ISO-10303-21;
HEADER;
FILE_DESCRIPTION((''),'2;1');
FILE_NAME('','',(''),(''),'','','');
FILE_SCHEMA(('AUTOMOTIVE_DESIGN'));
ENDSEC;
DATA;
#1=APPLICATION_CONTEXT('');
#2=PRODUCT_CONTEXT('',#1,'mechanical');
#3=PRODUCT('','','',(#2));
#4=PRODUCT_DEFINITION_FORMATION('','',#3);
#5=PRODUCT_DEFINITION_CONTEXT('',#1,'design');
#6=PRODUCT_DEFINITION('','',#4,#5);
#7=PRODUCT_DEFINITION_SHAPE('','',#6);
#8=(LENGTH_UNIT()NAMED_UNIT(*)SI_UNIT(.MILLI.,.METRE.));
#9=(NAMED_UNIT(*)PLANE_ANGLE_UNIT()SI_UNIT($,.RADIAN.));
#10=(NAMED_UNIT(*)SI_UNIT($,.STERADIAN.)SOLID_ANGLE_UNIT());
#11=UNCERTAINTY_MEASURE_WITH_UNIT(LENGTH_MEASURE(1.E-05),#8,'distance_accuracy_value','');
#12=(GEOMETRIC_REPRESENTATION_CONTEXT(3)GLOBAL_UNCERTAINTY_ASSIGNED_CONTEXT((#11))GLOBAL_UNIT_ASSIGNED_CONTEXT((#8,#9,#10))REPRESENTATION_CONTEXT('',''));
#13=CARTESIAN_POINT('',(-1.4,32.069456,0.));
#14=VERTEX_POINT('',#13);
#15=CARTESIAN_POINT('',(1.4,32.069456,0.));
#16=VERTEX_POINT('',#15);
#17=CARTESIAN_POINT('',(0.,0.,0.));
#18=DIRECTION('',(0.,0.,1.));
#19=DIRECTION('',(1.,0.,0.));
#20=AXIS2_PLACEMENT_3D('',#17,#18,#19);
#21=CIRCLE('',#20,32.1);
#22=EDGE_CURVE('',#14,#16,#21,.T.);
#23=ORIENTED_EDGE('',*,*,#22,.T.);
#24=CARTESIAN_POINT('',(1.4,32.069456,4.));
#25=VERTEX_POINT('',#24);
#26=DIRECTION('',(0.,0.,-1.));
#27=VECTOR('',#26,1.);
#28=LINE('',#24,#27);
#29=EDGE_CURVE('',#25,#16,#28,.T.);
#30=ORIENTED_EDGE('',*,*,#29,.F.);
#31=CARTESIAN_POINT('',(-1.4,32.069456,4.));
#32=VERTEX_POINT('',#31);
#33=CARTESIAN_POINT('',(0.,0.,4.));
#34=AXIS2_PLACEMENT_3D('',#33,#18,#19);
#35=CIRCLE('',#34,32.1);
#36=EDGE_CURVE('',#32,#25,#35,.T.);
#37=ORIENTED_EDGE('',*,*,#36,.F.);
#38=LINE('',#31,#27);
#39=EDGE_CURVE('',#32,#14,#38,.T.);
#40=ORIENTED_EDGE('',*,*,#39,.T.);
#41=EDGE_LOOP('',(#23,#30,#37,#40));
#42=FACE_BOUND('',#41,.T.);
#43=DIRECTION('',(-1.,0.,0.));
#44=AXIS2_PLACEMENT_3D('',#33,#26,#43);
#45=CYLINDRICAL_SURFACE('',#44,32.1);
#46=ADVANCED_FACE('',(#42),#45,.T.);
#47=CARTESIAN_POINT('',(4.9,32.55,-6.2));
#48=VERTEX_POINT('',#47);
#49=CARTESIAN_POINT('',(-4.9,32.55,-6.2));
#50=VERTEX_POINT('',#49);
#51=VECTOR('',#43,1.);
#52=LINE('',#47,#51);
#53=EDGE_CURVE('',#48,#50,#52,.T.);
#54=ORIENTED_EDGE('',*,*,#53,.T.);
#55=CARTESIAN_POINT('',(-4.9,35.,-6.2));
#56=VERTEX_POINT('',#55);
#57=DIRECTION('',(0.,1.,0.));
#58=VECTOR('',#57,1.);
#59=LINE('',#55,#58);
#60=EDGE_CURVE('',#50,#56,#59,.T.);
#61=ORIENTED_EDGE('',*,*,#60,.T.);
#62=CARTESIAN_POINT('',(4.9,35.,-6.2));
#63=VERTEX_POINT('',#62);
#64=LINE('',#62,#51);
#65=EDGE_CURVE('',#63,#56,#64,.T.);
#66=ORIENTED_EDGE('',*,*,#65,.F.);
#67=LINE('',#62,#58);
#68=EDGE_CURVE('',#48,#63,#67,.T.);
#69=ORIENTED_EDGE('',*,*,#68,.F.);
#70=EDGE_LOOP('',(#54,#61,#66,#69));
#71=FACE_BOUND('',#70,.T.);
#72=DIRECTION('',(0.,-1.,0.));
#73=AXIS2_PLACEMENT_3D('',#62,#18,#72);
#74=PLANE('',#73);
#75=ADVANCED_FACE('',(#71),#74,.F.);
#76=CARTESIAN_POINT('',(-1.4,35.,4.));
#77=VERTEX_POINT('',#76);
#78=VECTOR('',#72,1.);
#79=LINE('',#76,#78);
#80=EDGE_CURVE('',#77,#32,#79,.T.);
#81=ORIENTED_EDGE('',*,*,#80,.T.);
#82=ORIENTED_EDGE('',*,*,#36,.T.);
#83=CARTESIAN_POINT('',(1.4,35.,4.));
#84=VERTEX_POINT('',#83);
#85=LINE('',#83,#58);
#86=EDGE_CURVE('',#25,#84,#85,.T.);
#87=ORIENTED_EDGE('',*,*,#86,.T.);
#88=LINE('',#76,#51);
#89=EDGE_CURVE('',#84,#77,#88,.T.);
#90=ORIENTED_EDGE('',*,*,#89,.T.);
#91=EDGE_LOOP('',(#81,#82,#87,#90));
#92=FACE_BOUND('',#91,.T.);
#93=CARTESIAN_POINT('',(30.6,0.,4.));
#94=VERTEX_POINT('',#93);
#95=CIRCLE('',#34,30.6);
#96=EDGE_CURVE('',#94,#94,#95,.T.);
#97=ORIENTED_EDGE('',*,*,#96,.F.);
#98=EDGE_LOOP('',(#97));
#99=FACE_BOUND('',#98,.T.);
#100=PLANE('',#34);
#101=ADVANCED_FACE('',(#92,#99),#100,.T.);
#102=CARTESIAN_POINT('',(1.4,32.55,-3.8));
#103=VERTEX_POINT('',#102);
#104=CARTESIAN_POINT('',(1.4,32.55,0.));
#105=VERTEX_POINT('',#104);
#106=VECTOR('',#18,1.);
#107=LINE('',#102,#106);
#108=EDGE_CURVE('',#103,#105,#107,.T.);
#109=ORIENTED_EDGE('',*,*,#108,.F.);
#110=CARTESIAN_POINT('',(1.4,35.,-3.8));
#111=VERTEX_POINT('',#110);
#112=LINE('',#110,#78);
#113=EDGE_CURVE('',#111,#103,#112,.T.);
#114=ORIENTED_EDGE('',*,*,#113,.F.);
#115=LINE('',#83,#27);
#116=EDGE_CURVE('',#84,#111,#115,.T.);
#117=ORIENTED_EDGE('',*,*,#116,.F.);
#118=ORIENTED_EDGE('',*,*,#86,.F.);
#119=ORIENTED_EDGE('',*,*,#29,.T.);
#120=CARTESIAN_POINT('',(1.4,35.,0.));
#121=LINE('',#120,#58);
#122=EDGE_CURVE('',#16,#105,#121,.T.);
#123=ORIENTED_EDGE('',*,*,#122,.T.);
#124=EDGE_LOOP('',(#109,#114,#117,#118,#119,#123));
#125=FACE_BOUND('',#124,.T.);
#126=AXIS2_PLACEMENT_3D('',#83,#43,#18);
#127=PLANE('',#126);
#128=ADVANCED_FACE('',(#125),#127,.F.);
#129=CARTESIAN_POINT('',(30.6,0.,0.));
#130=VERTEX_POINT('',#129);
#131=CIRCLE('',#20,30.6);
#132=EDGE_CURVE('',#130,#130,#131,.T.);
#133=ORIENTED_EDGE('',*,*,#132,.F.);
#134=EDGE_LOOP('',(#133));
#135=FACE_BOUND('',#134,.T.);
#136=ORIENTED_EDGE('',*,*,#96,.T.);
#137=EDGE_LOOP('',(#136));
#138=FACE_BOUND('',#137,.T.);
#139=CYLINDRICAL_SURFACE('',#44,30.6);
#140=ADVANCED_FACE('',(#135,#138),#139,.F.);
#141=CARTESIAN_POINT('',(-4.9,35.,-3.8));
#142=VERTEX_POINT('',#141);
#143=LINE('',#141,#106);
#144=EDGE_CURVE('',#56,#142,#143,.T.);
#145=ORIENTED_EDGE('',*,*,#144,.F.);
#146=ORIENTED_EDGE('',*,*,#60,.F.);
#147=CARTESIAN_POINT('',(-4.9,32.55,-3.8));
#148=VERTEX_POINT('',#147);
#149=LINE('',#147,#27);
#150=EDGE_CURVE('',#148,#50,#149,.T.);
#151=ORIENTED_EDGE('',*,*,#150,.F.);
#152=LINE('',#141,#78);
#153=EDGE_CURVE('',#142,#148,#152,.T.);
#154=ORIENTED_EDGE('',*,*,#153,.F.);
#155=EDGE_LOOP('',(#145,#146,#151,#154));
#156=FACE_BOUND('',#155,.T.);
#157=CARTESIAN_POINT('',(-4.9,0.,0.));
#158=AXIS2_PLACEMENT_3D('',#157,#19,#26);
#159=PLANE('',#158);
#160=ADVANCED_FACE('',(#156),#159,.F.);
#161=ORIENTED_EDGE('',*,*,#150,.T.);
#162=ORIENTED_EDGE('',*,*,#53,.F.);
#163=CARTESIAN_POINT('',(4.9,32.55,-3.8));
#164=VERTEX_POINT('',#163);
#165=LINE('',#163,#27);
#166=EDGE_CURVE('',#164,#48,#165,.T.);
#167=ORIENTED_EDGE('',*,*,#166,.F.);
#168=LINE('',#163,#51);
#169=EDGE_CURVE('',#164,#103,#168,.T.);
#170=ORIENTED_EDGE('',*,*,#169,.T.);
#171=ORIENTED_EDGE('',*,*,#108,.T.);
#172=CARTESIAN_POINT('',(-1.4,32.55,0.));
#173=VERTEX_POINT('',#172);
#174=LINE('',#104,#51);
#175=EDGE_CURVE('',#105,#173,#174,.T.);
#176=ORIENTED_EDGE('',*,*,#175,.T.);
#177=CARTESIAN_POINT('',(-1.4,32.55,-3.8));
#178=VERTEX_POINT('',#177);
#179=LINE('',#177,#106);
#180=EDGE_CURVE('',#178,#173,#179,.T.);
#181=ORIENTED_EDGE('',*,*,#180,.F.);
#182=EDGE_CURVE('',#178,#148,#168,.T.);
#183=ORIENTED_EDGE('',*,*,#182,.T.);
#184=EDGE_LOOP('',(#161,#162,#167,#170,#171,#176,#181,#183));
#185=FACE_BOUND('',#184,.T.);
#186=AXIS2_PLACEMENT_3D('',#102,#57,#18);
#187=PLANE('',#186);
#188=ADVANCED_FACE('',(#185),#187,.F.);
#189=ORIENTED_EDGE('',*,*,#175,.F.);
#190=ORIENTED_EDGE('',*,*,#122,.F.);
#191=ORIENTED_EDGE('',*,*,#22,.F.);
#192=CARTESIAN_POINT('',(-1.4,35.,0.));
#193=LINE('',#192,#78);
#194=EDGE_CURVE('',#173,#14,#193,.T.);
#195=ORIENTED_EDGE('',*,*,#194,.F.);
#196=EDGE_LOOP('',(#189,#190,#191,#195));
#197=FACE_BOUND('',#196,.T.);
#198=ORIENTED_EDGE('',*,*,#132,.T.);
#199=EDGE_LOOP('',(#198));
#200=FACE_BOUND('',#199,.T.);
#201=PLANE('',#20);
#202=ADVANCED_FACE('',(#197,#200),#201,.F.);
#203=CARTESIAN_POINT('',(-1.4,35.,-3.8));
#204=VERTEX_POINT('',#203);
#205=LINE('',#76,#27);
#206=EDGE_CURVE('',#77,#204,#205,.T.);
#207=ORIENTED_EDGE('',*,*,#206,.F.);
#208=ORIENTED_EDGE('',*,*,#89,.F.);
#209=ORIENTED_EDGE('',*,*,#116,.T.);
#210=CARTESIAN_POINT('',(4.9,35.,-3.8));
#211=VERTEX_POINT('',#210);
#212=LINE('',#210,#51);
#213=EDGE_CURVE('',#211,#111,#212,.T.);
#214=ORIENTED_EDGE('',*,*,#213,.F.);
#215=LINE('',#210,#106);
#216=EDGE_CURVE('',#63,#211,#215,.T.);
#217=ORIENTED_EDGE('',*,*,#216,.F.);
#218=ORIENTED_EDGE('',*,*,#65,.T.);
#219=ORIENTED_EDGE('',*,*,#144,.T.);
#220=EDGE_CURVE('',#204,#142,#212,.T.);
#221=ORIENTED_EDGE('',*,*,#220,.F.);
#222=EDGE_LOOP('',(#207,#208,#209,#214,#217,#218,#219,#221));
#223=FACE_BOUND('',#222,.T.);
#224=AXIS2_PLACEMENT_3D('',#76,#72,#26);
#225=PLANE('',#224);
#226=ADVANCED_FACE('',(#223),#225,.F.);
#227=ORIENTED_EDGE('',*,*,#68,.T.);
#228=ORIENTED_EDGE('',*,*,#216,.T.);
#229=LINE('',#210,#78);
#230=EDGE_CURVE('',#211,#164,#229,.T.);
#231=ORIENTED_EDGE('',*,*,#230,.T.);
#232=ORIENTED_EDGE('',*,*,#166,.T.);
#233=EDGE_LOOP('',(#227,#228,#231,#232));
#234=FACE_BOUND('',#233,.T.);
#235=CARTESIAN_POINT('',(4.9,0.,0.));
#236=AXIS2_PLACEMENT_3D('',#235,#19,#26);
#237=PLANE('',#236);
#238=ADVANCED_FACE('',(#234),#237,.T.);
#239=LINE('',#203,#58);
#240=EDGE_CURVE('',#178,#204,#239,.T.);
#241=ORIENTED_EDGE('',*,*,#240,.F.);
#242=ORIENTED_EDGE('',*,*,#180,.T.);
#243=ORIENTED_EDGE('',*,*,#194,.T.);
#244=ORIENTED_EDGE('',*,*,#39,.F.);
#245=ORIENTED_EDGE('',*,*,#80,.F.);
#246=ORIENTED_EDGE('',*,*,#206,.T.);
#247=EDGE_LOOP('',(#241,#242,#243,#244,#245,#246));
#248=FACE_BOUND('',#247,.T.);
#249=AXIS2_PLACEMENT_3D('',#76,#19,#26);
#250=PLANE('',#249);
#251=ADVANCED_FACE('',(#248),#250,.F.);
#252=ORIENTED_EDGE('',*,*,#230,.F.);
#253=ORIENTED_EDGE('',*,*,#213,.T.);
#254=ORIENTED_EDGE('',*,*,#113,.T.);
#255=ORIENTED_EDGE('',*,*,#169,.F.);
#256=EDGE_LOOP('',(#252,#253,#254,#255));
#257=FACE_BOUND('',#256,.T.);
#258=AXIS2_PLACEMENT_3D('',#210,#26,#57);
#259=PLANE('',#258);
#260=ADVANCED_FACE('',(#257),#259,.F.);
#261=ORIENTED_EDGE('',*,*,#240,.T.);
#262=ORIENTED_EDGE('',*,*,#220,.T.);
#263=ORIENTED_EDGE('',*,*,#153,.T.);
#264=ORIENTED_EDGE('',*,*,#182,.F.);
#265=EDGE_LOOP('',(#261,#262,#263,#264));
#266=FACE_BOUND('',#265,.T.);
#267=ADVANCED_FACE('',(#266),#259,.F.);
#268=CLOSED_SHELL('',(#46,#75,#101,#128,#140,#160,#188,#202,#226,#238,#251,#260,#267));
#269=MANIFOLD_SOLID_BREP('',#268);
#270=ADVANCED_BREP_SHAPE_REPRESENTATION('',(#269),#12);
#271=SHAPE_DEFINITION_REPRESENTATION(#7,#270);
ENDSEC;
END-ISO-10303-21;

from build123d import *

# Parameters (mm, degrees)
SKETCH2_R           = 30.6
BOSS_EXTRUDE1_DEPTH = 4
SKETCH3_W           = 2.8
SKETCH3_H           = 2.45
BOSS_EXTRUDE2_DEPTH = 3.8
BOSS_EXTRUDE3_START = -6.3
SKETCH4_W           = 2.4
SKETCH4_H           = 2.45
BOSS_EXTRUDE3_DEPTH = 9.8


with BuildPart() as part:
    # Sketch2 → Boss-Extrude1 (new body)
    with BuildSketch(Plane.XY):
        with BuildLine():
            Line((-1.4, 35), (1.4, 35))
            Line((1.4, 35), (1.4, 32.069455873))
            ThreePointArc((1.4, 32.069455873), (0, -32.1), (-1.4, 32.069455873))
            Line((-1.4, 32.069455873), (-1.4, 35))
        make_face()
        Circle(SKETCH2_R, mode=Mode.SUBTRACT)
    extrude(amount=BOSS_EXTRUDE1_DEPTH)

    # Sketch3 → Boss-Extrude2 (add)
    with BuildSketch(Plane(origin=(0, 0, 0), x_dir=(-1, 0, 0), z_dir=(0, 0, -1))):
        with Locations((0, 33.775)):
            Rectangle(SKETCH3_W, SKETCH3_H)
    extrude(amount=BOSS_EXTRUDE2_DEPTH)

    # Sketch4 → Boss-Extrude3 (add)
    with BuildSketch(Plane(origin=(1.4, 0, 0), x_dir=(0, 0, -1), z_dir=(1, 0, 0)).offset(BOSS_EXTRUDE3_START)):
        with Locations((5, 33.775)):
            Rectangle(SKETCH4_W, SKETCH4_H)
    extrude(amount=BOSS_EXTRUDE3_DEPTH)


solid = part.part
